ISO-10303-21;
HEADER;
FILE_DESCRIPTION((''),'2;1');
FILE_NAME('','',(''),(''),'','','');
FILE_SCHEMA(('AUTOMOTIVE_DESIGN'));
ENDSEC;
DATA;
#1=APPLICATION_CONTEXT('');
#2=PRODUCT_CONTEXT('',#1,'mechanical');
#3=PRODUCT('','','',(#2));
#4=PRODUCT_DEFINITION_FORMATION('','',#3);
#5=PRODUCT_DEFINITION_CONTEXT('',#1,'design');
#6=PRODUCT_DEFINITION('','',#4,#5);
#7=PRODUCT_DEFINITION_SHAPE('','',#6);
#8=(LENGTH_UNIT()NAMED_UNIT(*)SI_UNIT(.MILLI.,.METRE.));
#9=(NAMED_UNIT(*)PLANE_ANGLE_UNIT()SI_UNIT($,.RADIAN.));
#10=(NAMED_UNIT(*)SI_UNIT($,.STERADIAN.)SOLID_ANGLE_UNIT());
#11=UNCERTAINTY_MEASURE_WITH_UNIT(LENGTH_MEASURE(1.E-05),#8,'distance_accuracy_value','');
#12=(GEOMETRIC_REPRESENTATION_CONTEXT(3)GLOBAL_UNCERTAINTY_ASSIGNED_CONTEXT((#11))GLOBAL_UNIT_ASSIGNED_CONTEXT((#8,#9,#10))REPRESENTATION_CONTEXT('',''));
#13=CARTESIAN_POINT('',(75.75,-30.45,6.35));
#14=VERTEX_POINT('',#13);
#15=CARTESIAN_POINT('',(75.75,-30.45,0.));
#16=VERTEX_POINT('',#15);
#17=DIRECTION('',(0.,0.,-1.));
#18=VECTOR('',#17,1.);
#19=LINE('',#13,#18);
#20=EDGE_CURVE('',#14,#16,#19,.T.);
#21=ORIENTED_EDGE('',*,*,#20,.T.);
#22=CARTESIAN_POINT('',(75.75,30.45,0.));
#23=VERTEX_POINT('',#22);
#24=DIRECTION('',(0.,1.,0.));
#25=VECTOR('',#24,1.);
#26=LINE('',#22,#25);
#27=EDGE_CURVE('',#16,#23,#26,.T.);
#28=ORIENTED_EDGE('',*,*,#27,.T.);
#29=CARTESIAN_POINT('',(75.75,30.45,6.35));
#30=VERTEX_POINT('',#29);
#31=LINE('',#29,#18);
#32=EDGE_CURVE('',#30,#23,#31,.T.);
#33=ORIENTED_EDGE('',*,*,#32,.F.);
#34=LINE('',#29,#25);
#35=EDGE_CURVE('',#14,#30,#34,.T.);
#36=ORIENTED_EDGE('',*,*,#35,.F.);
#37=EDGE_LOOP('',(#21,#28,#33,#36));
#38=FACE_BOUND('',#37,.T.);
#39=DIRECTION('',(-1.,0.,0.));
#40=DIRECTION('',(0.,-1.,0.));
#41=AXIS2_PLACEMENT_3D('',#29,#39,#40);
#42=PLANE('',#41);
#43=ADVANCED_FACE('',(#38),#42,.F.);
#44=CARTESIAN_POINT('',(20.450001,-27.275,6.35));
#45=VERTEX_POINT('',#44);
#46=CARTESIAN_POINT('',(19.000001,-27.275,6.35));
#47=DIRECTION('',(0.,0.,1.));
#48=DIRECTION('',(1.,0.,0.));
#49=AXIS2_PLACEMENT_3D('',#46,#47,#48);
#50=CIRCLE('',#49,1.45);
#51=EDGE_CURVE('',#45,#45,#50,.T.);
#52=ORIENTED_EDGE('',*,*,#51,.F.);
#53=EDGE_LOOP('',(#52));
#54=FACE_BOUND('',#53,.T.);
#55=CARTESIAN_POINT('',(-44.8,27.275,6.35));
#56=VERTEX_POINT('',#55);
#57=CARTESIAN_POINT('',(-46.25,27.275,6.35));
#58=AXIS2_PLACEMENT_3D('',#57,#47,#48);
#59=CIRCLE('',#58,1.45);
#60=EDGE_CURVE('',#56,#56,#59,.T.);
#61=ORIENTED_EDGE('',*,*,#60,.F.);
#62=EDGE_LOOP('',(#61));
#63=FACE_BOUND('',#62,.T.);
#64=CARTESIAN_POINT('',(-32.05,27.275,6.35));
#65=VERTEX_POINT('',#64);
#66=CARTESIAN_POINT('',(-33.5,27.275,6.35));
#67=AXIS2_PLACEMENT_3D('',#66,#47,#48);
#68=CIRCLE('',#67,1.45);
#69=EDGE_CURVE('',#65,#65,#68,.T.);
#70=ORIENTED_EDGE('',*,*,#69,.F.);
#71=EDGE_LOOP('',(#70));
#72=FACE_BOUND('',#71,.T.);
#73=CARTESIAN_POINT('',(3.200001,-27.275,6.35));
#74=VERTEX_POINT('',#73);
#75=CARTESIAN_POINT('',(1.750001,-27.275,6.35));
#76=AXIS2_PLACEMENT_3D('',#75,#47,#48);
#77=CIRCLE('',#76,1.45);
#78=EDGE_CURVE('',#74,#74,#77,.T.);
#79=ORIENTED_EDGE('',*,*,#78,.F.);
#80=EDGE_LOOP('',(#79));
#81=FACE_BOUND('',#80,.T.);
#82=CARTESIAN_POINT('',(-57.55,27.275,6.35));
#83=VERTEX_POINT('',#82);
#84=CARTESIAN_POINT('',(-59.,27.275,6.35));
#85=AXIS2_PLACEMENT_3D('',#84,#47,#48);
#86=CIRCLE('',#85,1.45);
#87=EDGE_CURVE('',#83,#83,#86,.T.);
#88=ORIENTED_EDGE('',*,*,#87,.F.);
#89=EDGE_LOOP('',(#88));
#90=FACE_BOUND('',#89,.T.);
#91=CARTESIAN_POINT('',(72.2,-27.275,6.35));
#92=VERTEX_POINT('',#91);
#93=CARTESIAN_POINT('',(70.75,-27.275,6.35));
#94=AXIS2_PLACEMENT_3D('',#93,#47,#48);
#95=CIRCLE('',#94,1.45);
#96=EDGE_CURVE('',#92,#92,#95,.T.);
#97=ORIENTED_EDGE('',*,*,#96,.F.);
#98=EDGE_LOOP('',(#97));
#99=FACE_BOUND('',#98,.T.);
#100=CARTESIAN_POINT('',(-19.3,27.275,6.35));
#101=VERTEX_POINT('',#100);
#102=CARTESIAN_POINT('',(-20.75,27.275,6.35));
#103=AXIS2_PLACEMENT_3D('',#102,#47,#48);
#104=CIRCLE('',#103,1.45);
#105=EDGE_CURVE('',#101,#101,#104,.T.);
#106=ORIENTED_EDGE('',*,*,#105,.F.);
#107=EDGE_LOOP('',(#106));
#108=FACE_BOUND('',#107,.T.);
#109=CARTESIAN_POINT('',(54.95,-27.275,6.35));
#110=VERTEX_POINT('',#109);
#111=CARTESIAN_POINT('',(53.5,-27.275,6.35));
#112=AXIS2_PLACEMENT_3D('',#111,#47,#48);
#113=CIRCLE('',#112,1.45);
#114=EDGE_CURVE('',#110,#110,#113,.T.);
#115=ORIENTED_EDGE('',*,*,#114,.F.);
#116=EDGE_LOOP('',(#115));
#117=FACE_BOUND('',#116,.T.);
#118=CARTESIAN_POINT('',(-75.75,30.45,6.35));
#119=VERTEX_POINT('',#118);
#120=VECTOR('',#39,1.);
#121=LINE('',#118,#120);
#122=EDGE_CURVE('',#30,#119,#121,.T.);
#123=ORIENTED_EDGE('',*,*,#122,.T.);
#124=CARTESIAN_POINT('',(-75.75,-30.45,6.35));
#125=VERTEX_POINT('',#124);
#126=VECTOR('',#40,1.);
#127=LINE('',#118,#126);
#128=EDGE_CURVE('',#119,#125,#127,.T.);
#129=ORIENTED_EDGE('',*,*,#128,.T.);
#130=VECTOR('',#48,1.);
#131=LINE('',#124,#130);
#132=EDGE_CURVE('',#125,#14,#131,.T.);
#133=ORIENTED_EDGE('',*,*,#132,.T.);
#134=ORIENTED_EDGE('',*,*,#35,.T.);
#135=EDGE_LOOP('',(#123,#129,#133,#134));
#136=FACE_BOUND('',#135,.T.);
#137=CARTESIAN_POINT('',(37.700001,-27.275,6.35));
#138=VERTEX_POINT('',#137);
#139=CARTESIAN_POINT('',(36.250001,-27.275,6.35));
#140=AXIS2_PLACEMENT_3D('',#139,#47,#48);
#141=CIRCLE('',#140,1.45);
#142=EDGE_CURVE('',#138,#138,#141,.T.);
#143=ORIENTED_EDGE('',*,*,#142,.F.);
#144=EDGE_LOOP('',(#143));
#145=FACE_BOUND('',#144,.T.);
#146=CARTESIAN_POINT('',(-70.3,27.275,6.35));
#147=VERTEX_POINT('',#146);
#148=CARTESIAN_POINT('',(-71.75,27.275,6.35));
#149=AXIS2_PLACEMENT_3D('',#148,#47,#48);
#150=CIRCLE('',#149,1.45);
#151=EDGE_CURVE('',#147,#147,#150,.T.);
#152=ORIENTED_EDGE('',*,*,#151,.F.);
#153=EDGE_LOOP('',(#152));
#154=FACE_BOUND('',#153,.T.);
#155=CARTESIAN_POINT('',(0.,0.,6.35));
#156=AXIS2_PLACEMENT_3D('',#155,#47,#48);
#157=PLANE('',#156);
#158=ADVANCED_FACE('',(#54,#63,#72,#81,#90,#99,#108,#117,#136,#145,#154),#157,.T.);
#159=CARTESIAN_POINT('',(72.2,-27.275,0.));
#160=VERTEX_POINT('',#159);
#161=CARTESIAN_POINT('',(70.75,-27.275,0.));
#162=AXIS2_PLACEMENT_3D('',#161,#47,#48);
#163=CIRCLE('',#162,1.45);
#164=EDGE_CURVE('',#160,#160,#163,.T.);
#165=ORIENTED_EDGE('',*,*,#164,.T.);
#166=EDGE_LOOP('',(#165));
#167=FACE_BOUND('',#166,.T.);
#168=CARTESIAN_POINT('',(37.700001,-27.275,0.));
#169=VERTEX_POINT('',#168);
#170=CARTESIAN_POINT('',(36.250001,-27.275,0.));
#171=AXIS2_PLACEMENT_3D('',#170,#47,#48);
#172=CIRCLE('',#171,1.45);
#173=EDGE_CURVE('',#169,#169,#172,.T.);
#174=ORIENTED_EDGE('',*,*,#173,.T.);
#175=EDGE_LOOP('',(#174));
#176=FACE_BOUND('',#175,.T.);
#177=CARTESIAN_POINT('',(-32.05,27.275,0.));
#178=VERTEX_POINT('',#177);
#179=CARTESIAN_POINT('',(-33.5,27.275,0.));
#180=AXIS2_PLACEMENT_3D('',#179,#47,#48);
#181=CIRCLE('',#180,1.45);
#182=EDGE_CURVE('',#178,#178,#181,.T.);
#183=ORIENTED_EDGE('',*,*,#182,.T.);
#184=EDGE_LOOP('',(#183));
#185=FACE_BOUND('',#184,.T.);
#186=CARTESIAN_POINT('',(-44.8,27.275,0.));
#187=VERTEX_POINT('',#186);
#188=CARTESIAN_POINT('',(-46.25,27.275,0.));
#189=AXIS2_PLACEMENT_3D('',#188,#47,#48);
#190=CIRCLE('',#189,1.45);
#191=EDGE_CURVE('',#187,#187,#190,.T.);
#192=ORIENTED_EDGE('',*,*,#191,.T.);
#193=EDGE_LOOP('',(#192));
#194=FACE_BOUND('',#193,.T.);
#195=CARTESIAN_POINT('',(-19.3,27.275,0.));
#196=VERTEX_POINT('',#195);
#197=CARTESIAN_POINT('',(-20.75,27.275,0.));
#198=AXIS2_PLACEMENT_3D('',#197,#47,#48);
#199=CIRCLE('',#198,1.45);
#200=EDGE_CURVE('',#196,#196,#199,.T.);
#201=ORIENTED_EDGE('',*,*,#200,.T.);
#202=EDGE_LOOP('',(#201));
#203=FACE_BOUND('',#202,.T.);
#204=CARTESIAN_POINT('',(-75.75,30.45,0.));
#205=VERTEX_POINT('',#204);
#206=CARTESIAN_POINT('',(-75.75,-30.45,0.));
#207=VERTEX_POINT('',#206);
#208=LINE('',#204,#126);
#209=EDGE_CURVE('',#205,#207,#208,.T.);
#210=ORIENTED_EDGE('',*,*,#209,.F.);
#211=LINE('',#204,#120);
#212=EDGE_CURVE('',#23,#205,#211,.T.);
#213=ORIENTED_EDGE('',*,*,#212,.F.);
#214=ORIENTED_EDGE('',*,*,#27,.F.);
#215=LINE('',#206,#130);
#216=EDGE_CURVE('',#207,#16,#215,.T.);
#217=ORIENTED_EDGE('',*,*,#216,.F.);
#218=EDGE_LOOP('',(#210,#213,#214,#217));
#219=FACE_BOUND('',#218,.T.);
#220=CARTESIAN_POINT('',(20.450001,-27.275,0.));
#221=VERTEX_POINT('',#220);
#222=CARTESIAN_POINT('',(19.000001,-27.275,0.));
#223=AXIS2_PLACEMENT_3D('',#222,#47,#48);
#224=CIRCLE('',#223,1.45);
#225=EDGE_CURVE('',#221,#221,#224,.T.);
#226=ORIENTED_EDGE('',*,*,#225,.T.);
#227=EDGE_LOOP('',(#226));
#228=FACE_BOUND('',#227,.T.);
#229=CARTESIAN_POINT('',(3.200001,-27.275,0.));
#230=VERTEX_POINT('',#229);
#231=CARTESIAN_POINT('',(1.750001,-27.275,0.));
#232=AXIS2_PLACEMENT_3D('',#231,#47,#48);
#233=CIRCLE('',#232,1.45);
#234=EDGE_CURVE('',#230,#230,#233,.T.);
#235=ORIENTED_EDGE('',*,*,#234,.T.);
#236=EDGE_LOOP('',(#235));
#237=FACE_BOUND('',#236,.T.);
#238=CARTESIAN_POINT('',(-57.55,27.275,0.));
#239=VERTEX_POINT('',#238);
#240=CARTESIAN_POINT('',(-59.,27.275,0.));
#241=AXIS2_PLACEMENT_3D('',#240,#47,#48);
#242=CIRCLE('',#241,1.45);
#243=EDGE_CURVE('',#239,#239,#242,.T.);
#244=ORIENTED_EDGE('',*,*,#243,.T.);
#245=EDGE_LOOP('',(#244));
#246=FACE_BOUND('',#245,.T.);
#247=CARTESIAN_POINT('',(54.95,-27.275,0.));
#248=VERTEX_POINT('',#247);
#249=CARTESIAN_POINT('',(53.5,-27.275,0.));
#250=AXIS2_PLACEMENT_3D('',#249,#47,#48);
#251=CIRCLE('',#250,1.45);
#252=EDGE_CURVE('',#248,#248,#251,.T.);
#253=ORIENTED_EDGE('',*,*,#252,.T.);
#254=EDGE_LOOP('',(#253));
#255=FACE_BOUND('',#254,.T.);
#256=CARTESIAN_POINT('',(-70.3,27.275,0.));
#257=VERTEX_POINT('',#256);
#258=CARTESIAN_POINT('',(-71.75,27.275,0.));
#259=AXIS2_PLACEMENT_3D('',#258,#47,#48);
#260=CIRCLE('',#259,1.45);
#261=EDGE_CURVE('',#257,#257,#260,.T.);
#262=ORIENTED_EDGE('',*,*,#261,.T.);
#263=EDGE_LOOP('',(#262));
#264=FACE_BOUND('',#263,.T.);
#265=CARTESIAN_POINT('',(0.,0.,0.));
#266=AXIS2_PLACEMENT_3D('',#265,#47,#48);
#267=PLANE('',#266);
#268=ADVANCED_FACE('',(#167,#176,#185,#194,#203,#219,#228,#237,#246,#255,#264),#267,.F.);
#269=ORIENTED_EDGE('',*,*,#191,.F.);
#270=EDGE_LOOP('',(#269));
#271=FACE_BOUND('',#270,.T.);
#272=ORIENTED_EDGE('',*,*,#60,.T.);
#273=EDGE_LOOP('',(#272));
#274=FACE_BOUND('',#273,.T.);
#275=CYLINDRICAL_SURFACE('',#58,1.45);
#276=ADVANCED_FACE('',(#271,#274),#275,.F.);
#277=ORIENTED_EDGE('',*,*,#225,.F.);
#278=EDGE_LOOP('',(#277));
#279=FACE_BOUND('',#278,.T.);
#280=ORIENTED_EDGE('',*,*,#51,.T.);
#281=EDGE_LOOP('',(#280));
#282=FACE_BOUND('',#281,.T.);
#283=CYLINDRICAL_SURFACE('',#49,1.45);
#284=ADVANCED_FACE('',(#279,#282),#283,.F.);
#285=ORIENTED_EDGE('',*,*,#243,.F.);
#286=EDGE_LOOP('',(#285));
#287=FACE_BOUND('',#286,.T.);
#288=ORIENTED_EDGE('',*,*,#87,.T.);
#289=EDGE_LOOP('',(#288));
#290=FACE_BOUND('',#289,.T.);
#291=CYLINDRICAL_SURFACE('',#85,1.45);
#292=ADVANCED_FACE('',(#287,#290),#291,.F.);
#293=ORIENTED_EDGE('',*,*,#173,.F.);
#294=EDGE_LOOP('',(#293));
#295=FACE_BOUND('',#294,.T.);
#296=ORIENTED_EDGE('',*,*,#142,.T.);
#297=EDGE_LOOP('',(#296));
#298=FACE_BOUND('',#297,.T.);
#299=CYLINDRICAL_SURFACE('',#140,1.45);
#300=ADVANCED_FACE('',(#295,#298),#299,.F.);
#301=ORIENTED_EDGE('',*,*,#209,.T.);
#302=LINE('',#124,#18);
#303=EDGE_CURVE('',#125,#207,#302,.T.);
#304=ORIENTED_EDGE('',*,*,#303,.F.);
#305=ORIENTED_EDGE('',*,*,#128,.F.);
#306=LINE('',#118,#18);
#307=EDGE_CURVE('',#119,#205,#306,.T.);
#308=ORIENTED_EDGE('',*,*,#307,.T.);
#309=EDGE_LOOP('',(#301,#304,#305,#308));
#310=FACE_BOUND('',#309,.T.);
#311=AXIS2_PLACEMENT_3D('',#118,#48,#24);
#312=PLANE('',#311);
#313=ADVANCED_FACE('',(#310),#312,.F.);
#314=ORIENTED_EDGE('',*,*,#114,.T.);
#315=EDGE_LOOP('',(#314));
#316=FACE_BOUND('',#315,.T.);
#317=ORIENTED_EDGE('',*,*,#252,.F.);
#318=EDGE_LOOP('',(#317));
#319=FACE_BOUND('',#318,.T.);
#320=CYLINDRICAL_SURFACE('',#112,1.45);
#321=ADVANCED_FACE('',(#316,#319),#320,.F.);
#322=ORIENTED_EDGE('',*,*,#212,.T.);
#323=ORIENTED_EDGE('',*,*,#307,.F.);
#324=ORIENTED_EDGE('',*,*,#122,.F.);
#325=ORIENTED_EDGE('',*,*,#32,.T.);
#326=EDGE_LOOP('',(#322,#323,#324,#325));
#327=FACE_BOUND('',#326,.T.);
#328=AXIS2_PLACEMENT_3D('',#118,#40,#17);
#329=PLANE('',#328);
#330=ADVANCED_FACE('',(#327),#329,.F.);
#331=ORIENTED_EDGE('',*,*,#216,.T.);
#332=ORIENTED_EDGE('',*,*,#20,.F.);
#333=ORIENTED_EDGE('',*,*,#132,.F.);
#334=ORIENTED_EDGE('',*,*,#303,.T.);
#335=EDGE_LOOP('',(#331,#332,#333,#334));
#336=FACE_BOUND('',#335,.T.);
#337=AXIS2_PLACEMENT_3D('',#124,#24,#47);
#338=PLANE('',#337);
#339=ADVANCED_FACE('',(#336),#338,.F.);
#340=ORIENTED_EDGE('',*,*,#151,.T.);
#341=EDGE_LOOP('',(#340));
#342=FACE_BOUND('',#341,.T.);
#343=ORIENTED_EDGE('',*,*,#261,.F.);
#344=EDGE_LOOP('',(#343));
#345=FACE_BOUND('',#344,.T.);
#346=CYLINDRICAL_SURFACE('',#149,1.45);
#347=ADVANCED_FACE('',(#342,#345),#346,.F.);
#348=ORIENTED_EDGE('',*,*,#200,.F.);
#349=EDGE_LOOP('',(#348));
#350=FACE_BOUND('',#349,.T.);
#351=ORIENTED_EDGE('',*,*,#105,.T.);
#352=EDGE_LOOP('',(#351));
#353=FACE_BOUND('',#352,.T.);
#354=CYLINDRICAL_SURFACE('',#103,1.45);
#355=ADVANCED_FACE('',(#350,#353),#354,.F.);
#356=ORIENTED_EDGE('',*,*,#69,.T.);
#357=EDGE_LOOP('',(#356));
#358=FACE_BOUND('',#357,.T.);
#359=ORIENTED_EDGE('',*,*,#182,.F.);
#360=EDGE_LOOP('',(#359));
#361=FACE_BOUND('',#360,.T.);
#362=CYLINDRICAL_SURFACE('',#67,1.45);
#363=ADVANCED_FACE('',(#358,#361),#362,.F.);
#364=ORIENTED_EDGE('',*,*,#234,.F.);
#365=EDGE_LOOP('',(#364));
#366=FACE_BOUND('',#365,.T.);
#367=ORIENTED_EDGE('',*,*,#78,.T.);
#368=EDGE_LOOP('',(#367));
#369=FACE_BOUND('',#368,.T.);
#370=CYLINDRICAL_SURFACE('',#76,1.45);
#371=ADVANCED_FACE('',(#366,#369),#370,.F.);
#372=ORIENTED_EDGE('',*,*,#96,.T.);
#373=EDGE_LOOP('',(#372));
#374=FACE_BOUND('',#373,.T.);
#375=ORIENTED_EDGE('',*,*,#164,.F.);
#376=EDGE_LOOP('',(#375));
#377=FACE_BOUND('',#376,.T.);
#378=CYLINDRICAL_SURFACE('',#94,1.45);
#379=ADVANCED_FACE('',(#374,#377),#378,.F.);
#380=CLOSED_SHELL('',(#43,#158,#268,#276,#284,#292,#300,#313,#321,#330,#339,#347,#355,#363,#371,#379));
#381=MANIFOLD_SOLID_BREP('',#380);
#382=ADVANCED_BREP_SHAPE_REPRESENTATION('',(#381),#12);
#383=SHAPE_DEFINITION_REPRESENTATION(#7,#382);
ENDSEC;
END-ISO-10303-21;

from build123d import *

# Parameters (mm, degrees)
SKETCH1_W              = 151.500000022
SKETCH1_H              = 60.9
BOSS_EXTRUDE1_DEPTH    = 6.35
M2_5_CLEARANCE_HOLE1_D = 2.9


with BuildPart() as part:
    # Sketch1 → Boss-Extrude1 (new body)
    with BuildSketch(Plane.XY):
        Rectangle(SKETCH1_W, SKETCH1_H)
    extrude(amount=BOSS_EXTRUDE1_DEPTH)

    # M2.5 Clearance Hole1 (through all)
    with Locations(Plane.XY.offset(6.35)):
        with Locations((-71.750000011, 27.275), (-59.000000011, 27.275), (-46.250000011, 27.275), (-33.500000011, 27.275), (-20.750000011, 27.275), (1.750001156, -27.275), (19.000000864, -27.275), (36.250000573, -27.275), (53.500000281, -27.275), (70.749999989, -27.275)):
            Hole(M2_5_CLEARANCE_HOLE1_D / 2)


solid = part.part
